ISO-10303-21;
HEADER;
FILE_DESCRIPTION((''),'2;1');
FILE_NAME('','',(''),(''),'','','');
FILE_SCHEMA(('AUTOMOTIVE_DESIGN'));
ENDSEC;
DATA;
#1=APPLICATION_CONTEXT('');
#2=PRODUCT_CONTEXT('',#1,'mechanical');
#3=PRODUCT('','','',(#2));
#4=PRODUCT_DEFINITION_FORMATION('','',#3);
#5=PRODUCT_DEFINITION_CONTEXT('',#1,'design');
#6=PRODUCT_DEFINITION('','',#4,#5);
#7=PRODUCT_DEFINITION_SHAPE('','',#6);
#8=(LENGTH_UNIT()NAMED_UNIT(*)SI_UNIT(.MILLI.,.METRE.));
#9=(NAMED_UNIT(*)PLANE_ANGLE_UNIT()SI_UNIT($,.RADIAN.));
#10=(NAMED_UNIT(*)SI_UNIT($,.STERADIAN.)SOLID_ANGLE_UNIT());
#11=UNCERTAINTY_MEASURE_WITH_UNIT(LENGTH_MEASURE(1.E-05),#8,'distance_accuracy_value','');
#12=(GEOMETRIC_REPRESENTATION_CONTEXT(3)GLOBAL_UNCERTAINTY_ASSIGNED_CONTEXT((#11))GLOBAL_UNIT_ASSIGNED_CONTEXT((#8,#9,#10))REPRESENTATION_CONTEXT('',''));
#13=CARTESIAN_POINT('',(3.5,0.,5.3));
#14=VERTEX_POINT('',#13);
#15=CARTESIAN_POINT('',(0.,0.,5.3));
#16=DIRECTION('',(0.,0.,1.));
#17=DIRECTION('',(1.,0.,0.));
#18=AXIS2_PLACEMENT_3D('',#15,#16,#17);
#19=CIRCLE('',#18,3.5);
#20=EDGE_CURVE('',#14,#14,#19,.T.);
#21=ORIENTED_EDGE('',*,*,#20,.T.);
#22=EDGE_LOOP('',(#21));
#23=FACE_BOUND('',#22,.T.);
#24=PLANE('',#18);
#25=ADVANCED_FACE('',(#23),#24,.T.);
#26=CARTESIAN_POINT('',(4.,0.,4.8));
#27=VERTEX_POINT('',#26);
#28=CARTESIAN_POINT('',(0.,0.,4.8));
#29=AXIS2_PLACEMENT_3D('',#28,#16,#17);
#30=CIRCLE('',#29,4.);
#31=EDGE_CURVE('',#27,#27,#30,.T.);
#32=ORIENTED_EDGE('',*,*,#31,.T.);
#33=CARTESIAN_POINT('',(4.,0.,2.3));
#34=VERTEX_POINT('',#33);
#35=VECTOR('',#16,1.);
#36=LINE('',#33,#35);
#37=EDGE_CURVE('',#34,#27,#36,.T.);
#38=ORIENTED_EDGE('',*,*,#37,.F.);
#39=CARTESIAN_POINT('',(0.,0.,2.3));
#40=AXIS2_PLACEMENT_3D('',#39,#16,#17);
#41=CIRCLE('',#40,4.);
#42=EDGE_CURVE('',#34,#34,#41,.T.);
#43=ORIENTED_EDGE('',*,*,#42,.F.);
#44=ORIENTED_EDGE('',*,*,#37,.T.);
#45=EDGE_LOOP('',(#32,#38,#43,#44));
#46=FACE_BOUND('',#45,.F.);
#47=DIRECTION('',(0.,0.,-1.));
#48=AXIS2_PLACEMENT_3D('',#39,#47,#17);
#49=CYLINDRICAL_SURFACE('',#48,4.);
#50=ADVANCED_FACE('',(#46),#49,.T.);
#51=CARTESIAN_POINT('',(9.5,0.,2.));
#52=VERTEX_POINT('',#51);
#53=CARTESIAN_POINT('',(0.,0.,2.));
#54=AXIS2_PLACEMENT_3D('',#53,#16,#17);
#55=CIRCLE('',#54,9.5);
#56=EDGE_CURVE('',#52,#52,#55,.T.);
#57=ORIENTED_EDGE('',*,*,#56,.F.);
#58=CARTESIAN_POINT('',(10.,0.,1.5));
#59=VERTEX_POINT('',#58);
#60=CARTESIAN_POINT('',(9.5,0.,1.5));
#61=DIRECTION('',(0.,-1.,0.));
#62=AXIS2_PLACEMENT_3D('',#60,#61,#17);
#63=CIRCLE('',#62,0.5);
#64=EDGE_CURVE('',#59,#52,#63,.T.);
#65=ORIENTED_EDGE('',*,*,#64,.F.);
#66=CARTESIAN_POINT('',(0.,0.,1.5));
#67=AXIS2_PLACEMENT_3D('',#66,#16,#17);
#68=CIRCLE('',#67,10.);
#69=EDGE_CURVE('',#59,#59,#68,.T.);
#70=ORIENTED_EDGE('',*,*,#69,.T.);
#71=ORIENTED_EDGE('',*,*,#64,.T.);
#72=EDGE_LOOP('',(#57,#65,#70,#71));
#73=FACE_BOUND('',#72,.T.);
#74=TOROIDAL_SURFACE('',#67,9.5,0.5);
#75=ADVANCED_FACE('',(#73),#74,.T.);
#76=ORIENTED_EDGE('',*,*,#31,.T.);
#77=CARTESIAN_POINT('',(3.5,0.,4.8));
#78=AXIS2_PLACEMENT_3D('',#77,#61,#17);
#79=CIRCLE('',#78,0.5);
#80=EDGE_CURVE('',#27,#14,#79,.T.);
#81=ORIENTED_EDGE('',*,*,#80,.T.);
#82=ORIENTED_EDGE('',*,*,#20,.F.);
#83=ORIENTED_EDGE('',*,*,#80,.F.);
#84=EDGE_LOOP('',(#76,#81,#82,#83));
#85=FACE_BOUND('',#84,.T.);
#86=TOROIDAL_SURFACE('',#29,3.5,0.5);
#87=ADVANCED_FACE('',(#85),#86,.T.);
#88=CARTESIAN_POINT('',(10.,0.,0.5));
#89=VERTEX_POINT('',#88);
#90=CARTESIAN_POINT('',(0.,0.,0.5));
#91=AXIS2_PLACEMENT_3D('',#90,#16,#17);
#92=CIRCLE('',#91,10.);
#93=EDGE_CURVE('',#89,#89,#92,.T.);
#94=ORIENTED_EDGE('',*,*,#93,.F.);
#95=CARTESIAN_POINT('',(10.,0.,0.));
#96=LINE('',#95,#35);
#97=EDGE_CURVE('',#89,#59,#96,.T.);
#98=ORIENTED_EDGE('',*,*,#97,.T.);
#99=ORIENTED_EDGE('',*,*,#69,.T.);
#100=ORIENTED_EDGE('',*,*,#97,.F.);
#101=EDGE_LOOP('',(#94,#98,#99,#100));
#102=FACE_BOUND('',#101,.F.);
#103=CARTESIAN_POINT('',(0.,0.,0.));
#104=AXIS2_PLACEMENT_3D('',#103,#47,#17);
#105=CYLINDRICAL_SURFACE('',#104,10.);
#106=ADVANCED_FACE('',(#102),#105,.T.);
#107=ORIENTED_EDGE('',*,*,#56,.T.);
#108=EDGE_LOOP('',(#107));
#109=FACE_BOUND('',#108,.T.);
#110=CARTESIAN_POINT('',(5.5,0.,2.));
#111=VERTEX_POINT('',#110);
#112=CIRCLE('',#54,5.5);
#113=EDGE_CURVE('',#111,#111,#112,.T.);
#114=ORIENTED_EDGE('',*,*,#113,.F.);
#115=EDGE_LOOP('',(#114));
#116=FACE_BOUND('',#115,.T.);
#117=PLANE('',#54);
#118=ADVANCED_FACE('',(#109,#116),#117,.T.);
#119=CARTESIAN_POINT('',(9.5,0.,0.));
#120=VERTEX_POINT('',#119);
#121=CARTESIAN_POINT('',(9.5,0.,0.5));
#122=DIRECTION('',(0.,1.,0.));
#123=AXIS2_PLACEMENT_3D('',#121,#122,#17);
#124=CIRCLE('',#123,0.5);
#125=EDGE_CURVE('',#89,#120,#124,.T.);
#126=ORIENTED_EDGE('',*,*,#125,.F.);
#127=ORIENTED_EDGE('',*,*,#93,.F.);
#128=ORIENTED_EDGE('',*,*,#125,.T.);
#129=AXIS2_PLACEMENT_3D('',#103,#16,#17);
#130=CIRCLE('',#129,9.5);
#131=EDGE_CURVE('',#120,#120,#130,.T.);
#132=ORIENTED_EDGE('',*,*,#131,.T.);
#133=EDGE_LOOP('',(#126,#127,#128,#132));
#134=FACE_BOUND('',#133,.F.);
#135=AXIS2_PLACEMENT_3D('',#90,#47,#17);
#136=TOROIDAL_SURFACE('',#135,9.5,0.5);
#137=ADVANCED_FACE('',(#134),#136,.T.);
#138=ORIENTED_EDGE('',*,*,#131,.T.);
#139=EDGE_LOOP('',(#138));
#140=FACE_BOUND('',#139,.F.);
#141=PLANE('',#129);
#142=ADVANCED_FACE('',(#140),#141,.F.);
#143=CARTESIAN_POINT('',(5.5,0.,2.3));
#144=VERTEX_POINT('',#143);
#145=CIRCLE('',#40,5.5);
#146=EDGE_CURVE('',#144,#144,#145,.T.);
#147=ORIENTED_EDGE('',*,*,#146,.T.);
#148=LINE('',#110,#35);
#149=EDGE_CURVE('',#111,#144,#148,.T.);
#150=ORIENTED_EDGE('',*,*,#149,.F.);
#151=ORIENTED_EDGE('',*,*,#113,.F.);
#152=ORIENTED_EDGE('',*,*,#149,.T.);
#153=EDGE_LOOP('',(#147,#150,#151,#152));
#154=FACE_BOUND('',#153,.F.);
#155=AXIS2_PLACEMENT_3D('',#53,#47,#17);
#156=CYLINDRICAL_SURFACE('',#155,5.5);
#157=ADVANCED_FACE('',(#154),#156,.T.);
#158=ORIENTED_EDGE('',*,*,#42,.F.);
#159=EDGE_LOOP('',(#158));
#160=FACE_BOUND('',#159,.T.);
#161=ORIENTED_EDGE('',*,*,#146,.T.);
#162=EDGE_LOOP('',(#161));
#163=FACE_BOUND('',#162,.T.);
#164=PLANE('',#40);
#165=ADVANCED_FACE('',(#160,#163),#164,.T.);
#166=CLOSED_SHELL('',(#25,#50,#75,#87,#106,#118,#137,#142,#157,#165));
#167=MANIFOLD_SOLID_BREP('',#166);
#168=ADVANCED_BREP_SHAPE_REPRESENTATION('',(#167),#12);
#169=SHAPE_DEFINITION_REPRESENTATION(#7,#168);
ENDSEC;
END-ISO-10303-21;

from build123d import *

# Parameters (mm, degrees)
F0_R     = 10
F1_DEPTH = 2
F2_R     = 5.5
F3_DEPTH = 0.3
F4_R     = 4
F5_DEPTH = 3
F6_R     = 0.5


with BuildPart() as f1:
    # F0 (on Top) → F1 (new body)
    with BuildSketch(Plane.XY):
        Circle(F0_R)
    extrude(amount=F1_DEPTH)

    # F2 (on face) → F3 (join)
    with BuildSketch(Plane.XY.offset(2)):
        Circle(F2_R)
    extrude(amount=F3_DEPTH)

    # F4 (on face) → F5 (join)
    with BuildSketch(Plane.XY.offset(2.3)):
        Circle(F4_R)
    extrude(amount=F5_DEPTH)

    # F6
    f6_edges = [f1.edges().sort_by_distance(p)[0] for p in [
        (-4, 0, 5.3),
        (-10, 0, 2),
        (-10, 0, 0),
    ]]
    fillet(f6_edges, radius=F6_R)


solid = f1.part
